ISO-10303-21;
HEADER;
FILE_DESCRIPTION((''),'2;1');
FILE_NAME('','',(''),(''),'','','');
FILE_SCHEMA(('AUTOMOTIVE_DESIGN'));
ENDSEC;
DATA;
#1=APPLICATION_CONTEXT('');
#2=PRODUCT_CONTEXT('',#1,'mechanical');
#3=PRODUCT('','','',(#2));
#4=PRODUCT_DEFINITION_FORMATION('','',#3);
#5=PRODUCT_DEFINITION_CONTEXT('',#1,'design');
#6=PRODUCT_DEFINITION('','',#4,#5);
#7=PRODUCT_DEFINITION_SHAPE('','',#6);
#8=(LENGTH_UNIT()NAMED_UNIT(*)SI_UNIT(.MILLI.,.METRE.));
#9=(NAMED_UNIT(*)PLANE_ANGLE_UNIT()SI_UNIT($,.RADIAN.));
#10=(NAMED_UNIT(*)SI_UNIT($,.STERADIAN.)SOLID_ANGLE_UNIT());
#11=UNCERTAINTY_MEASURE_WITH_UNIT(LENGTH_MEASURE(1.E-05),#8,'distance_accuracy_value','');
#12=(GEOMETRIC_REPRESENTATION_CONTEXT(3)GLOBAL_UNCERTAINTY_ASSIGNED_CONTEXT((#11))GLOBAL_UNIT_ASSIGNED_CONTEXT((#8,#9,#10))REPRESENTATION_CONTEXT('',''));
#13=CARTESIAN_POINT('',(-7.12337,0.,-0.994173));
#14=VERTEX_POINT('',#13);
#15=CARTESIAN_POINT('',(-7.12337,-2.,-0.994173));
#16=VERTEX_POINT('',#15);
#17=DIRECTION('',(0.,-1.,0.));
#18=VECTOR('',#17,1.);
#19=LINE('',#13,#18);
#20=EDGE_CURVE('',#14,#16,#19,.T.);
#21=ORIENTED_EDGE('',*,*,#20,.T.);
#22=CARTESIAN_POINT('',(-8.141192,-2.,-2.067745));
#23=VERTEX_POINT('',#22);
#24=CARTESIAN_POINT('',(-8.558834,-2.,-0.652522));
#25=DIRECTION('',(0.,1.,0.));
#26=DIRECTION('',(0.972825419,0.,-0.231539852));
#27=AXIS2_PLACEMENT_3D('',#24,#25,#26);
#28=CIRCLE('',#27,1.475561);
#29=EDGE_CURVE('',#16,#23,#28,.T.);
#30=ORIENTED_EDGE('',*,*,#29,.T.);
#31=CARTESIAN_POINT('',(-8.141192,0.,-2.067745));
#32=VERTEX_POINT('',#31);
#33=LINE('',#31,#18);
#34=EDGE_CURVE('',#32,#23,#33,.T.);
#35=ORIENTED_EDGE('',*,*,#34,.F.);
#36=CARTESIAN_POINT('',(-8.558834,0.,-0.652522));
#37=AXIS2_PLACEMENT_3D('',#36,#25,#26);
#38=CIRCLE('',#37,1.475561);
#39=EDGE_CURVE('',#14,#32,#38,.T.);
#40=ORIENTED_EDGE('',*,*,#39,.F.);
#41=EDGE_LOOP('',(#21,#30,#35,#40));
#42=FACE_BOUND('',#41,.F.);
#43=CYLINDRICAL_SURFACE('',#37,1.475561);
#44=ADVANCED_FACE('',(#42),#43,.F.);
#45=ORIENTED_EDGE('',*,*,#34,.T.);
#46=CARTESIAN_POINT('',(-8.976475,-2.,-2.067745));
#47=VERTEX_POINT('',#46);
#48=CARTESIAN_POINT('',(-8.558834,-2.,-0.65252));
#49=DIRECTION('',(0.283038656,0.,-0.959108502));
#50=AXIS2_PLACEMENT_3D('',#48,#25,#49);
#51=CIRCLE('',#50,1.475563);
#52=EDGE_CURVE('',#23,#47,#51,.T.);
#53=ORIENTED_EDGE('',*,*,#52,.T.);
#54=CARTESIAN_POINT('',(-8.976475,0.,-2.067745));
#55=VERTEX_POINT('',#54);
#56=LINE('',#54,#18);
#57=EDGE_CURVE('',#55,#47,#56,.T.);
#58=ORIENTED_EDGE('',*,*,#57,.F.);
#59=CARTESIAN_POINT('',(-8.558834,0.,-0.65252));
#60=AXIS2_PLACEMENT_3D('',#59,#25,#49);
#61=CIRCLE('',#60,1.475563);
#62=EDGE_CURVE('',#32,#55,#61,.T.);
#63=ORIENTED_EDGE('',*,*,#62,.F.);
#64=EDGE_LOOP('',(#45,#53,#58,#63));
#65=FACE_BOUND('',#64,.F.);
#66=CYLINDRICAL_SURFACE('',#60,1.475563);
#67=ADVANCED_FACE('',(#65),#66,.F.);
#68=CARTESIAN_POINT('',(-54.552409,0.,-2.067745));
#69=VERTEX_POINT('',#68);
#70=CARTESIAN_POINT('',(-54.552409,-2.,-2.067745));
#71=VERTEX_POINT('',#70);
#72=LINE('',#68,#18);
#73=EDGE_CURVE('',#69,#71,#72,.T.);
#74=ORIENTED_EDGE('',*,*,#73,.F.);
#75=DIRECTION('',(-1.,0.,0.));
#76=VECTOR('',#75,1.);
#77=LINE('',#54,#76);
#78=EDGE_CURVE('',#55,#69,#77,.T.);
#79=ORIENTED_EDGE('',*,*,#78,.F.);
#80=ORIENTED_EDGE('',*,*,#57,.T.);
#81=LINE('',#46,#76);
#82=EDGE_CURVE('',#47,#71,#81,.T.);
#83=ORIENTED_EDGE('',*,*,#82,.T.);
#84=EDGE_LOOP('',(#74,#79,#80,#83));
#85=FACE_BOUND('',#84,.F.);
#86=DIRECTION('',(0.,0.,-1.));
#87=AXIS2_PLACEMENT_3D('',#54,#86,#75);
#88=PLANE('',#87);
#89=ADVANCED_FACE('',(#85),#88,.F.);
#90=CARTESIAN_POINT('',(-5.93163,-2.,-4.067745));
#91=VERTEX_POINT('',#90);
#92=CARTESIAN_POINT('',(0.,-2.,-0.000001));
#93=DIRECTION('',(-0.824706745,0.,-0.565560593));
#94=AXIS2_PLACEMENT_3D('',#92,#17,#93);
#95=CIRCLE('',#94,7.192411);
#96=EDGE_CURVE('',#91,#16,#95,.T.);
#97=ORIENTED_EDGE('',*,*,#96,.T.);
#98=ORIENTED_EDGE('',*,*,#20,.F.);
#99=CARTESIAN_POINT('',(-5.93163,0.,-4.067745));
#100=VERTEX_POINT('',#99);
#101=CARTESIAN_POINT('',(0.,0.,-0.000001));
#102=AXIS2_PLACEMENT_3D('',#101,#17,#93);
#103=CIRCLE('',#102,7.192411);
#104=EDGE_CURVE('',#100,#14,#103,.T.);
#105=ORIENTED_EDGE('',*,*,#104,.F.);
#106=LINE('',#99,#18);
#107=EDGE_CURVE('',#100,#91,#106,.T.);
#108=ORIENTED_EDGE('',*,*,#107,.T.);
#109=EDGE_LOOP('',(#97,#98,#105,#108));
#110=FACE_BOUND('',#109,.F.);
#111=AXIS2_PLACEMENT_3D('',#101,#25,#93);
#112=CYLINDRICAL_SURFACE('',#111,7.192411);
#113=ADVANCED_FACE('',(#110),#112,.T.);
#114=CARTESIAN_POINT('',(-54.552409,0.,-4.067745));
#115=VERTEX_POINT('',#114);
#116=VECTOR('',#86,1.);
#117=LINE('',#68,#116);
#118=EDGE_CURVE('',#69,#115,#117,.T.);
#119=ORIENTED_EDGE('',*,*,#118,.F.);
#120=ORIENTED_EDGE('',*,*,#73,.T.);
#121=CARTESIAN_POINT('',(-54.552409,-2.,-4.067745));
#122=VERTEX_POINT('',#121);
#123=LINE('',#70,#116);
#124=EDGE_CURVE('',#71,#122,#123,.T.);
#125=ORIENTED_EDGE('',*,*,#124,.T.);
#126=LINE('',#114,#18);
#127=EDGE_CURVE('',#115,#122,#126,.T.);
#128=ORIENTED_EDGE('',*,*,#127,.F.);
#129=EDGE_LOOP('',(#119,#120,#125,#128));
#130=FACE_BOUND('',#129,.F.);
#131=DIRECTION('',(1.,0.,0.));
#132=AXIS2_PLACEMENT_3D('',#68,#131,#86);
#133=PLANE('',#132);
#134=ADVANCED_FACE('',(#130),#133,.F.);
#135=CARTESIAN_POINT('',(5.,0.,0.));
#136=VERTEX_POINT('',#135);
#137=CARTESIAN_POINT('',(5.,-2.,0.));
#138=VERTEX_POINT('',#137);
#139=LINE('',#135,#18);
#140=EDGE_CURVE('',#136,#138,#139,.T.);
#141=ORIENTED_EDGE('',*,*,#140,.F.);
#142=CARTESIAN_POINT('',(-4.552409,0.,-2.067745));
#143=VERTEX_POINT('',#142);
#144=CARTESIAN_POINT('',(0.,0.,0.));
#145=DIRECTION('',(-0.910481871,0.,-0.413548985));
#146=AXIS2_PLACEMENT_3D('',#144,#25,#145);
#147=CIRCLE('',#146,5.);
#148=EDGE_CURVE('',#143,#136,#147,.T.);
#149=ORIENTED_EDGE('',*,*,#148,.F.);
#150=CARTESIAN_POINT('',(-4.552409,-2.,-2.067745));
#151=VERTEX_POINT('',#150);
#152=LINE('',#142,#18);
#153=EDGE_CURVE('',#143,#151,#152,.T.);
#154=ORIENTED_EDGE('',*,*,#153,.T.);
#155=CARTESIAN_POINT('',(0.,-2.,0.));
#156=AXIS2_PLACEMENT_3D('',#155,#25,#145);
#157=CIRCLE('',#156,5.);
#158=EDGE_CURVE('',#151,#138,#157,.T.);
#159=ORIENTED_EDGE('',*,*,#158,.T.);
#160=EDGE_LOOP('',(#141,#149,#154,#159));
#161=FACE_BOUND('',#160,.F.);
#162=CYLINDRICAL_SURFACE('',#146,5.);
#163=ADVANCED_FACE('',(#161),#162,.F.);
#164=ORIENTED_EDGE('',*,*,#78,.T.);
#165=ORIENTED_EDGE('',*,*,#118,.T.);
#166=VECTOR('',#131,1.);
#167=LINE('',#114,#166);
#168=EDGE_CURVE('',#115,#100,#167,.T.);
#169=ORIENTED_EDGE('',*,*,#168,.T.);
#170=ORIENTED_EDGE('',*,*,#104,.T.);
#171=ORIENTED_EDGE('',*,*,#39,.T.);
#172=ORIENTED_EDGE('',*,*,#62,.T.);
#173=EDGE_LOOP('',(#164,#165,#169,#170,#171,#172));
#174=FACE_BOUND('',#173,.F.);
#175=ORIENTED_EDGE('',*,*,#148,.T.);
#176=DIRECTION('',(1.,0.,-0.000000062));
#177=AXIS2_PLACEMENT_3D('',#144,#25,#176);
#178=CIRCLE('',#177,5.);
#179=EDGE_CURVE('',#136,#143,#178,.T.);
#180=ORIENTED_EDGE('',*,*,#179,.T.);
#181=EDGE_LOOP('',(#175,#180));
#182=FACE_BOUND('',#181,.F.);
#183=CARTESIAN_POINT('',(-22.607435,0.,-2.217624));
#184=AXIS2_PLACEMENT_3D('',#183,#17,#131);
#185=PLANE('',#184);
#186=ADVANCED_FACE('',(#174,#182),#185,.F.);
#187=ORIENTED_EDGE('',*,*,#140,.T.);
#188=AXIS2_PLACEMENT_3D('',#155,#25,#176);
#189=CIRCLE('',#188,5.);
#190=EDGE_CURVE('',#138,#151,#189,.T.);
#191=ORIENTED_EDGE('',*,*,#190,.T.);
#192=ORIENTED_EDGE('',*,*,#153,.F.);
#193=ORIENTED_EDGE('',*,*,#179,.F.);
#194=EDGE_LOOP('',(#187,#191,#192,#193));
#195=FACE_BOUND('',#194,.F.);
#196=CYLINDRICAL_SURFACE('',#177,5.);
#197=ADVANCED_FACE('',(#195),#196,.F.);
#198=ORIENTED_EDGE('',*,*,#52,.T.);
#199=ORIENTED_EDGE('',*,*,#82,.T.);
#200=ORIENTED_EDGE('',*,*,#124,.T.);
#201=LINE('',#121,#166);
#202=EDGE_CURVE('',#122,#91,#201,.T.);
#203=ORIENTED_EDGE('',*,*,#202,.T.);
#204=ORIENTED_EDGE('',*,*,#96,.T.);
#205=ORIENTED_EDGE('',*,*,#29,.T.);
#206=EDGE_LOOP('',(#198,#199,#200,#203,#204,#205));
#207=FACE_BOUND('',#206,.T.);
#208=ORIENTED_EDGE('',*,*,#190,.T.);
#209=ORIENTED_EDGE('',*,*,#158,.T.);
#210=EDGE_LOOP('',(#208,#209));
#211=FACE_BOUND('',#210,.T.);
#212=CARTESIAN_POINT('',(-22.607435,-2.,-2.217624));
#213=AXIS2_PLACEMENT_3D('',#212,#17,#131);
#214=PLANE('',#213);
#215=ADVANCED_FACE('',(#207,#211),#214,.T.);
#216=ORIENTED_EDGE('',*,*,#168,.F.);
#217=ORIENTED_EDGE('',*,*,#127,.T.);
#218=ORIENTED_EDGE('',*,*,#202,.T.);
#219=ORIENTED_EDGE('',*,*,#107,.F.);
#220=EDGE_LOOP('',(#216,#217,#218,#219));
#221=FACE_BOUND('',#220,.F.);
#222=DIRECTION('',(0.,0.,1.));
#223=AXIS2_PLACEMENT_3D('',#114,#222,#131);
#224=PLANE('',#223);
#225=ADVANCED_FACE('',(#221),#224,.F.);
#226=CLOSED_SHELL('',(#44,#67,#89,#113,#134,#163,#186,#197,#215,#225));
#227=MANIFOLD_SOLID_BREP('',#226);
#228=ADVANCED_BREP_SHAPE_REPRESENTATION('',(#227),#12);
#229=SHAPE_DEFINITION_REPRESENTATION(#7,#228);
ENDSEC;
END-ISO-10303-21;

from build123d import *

# Parameters (mm, degrees)
F1_DEPTH = 2


with BuildPart() as f1:
    # F0 (on Front) → F1 (new body)
    with BuildSketch(Plane.XZ):
        with BuildLine():
            Line((-54.552409, -4.067745), (-5.93163, -4.067745))
            ThreePointArc((-5.93163, -4.067745), (6.705965, 2.600157), (-7.12337, -0.994173))
            ThreePointArc((-7.12337, -0.994173), (-7.488021, -1.667727), (-8.141192, -2.067745))
            ThreePointArc((-8.141192, -2.067745), (-8.558834, -2.128083), (-8.976475, -2.067745))
            Line((-8.976475, -2.067745), (-54.552409, -2.067745))
            Line((-54.552409, -2.067745), (-54.552409, -4.067745))
        make_face()
        with BuildLine():
            ThreePointArc((-4.552409, -2.067745), (-1.057817, 4.886821), (5, 0))
            ThreePointArc((5, 0), (1.057817, -4.886821), (-4.552409, -2.067745))
        make_face(mode=Mode.SUBTRACT)
    extrude(amount=F1_DEPTH)


solid = f1.part
